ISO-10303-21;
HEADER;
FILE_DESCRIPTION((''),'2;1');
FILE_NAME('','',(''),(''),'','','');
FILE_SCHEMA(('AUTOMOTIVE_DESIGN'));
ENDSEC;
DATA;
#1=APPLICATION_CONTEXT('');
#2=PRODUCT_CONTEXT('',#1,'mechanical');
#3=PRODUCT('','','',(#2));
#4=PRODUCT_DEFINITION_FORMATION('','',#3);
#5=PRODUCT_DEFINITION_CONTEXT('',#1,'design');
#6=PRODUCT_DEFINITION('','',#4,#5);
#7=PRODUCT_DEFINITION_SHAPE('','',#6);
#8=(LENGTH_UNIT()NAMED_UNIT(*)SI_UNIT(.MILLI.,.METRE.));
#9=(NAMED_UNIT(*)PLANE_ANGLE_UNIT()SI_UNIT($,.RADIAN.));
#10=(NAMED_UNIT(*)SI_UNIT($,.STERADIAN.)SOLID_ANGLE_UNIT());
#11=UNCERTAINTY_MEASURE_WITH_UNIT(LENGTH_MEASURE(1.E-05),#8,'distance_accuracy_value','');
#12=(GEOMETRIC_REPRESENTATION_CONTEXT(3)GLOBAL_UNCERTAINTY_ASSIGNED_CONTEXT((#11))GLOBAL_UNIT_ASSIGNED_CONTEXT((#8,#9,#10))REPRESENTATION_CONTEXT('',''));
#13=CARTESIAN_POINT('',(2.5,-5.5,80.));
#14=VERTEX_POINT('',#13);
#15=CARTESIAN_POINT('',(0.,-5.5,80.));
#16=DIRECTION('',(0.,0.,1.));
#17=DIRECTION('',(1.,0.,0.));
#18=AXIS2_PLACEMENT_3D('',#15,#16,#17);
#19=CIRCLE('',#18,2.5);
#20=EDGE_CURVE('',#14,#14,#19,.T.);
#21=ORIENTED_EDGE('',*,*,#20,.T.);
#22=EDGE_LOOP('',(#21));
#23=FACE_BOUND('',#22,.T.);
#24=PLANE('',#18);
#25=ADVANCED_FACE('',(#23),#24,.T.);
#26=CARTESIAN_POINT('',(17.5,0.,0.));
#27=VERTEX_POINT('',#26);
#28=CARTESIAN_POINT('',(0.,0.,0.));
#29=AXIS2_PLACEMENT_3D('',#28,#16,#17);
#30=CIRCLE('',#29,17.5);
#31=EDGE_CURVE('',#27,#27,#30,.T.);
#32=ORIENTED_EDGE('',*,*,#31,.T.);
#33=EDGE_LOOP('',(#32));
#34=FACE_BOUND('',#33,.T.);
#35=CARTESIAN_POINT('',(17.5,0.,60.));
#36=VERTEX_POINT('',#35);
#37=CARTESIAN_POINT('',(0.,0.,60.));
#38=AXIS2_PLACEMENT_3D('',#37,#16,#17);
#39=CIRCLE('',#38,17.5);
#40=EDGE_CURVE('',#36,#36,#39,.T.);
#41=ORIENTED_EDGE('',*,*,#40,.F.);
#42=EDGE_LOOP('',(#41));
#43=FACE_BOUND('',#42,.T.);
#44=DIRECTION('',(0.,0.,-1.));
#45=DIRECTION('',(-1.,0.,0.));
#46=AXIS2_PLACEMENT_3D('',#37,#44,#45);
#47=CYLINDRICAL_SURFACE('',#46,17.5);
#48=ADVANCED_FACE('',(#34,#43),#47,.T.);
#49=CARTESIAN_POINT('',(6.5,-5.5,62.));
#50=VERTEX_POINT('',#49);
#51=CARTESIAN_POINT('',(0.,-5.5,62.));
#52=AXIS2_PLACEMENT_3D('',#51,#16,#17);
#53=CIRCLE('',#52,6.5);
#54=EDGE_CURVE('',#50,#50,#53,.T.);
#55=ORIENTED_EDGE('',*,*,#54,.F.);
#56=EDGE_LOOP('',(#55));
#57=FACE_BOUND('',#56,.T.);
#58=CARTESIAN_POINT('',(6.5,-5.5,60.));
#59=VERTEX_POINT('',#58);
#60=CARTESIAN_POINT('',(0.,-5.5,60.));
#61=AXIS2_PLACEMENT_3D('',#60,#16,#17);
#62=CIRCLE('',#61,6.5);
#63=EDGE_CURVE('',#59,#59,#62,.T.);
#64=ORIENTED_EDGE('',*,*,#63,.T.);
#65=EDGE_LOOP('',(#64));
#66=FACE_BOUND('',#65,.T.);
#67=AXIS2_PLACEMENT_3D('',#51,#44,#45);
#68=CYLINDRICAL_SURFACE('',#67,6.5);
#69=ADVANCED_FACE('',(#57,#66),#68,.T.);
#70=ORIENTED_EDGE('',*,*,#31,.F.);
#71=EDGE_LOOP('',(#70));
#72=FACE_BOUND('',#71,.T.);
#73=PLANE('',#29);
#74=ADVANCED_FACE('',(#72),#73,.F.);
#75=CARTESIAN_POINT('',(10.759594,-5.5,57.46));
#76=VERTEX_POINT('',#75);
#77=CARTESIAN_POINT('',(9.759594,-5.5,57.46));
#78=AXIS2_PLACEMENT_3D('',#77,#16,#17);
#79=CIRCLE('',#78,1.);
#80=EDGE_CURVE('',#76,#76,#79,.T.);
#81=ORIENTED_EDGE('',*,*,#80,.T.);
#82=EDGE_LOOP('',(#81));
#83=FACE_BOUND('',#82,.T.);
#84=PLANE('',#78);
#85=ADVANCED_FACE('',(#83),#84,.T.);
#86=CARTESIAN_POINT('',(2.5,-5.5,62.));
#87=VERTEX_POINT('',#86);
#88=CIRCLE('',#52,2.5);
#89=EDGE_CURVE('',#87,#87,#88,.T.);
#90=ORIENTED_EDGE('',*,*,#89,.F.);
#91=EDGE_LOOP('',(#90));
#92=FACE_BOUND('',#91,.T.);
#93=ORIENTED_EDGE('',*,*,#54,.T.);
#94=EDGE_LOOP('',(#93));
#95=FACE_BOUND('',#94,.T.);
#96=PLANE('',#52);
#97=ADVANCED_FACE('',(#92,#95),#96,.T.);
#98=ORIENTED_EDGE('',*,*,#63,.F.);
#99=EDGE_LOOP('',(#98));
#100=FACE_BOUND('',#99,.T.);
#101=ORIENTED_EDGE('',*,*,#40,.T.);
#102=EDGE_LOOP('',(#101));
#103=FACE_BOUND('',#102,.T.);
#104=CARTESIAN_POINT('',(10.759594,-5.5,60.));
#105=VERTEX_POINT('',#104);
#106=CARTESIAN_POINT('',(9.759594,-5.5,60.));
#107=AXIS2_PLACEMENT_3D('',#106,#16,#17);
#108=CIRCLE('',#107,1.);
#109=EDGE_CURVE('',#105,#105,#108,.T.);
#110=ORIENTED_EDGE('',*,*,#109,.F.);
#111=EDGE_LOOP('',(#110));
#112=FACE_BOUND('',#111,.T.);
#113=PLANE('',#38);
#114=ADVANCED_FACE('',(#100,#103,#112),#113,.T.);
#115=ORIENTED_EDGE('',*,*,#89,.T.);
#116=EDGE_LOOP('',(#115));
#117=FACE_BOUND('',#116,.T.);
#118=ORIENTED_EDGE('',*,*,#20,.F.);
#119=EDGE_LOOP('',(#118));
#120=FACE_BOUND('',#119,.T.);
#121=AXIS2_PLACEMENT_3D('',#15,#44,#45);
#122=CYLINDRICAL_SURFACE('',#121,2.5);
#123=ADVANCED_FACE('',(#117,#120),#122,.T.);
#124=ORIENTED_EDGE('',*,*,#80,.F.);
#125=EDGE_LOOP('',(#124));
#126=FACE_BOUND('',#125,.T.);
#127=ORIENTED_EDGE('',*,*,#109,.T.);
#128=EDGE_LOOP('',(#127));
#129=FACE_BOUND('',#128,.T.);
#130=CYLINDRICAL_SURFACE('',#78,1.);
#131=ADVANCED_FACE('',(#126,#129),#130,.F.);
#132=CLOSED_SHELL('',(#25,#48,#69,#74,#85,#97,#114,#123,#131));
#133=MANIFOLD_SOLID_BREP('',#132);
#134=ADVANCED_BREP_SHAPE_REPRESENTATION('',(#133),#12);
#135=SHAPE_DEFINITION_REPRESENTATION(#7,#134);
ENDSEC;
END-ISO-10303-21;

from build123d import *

# Parameters (mm, degrees)
SKETCH1_R           = 17.5
MOTOR_BASE_DEPTH    = 60
SKETCH2_R           = 2.5
SHAFT_DEPTH         = 20
SKETCH3_R           = 6.5
BOSS_EXTRUDE3_DEPTH = 2
SKETCH4_R           = 1
CUT_EXTRUDE1_DEPTH  = 2.54


with BuildPart() as part:
    # Sketch1 → Motor-Base (new body)
    with BuildSketch(Plane.XY):
        Circle(SKETCH1_R)
    extrude(amount=MOTOR_BASE_DEPTH)

    # Sketch2 → Shaft (add)
    with BuildSketch(Plane.XY.offset(60)):
        with Locations((0, -5.5)):
            Circle(SKETCH2_R)
    extrude(amount=SHAFT_DEPTH)

    # Sketch3 → Boss-Extrude3 (add)
    with BuildSketch(Plane.XY.offset(60)):
        with Locations((0, -5.5)):
            Circle(SKETCH3_R)
    extrude(amount=BOSS_EXTRUDE3_DEPTH)

    # Sketch4 → Cut-Extrude1 (cut)
    with BuildSketch(Plane.XY.offset(60)):
        with Locations((9.759593791, -5.5)):
            Circle(SKETCH4_R)
    extrude(amount=-CUT_EXTRUDE1_DEPTH, mode=Mode.SUBTRACT)


solid = part.part
